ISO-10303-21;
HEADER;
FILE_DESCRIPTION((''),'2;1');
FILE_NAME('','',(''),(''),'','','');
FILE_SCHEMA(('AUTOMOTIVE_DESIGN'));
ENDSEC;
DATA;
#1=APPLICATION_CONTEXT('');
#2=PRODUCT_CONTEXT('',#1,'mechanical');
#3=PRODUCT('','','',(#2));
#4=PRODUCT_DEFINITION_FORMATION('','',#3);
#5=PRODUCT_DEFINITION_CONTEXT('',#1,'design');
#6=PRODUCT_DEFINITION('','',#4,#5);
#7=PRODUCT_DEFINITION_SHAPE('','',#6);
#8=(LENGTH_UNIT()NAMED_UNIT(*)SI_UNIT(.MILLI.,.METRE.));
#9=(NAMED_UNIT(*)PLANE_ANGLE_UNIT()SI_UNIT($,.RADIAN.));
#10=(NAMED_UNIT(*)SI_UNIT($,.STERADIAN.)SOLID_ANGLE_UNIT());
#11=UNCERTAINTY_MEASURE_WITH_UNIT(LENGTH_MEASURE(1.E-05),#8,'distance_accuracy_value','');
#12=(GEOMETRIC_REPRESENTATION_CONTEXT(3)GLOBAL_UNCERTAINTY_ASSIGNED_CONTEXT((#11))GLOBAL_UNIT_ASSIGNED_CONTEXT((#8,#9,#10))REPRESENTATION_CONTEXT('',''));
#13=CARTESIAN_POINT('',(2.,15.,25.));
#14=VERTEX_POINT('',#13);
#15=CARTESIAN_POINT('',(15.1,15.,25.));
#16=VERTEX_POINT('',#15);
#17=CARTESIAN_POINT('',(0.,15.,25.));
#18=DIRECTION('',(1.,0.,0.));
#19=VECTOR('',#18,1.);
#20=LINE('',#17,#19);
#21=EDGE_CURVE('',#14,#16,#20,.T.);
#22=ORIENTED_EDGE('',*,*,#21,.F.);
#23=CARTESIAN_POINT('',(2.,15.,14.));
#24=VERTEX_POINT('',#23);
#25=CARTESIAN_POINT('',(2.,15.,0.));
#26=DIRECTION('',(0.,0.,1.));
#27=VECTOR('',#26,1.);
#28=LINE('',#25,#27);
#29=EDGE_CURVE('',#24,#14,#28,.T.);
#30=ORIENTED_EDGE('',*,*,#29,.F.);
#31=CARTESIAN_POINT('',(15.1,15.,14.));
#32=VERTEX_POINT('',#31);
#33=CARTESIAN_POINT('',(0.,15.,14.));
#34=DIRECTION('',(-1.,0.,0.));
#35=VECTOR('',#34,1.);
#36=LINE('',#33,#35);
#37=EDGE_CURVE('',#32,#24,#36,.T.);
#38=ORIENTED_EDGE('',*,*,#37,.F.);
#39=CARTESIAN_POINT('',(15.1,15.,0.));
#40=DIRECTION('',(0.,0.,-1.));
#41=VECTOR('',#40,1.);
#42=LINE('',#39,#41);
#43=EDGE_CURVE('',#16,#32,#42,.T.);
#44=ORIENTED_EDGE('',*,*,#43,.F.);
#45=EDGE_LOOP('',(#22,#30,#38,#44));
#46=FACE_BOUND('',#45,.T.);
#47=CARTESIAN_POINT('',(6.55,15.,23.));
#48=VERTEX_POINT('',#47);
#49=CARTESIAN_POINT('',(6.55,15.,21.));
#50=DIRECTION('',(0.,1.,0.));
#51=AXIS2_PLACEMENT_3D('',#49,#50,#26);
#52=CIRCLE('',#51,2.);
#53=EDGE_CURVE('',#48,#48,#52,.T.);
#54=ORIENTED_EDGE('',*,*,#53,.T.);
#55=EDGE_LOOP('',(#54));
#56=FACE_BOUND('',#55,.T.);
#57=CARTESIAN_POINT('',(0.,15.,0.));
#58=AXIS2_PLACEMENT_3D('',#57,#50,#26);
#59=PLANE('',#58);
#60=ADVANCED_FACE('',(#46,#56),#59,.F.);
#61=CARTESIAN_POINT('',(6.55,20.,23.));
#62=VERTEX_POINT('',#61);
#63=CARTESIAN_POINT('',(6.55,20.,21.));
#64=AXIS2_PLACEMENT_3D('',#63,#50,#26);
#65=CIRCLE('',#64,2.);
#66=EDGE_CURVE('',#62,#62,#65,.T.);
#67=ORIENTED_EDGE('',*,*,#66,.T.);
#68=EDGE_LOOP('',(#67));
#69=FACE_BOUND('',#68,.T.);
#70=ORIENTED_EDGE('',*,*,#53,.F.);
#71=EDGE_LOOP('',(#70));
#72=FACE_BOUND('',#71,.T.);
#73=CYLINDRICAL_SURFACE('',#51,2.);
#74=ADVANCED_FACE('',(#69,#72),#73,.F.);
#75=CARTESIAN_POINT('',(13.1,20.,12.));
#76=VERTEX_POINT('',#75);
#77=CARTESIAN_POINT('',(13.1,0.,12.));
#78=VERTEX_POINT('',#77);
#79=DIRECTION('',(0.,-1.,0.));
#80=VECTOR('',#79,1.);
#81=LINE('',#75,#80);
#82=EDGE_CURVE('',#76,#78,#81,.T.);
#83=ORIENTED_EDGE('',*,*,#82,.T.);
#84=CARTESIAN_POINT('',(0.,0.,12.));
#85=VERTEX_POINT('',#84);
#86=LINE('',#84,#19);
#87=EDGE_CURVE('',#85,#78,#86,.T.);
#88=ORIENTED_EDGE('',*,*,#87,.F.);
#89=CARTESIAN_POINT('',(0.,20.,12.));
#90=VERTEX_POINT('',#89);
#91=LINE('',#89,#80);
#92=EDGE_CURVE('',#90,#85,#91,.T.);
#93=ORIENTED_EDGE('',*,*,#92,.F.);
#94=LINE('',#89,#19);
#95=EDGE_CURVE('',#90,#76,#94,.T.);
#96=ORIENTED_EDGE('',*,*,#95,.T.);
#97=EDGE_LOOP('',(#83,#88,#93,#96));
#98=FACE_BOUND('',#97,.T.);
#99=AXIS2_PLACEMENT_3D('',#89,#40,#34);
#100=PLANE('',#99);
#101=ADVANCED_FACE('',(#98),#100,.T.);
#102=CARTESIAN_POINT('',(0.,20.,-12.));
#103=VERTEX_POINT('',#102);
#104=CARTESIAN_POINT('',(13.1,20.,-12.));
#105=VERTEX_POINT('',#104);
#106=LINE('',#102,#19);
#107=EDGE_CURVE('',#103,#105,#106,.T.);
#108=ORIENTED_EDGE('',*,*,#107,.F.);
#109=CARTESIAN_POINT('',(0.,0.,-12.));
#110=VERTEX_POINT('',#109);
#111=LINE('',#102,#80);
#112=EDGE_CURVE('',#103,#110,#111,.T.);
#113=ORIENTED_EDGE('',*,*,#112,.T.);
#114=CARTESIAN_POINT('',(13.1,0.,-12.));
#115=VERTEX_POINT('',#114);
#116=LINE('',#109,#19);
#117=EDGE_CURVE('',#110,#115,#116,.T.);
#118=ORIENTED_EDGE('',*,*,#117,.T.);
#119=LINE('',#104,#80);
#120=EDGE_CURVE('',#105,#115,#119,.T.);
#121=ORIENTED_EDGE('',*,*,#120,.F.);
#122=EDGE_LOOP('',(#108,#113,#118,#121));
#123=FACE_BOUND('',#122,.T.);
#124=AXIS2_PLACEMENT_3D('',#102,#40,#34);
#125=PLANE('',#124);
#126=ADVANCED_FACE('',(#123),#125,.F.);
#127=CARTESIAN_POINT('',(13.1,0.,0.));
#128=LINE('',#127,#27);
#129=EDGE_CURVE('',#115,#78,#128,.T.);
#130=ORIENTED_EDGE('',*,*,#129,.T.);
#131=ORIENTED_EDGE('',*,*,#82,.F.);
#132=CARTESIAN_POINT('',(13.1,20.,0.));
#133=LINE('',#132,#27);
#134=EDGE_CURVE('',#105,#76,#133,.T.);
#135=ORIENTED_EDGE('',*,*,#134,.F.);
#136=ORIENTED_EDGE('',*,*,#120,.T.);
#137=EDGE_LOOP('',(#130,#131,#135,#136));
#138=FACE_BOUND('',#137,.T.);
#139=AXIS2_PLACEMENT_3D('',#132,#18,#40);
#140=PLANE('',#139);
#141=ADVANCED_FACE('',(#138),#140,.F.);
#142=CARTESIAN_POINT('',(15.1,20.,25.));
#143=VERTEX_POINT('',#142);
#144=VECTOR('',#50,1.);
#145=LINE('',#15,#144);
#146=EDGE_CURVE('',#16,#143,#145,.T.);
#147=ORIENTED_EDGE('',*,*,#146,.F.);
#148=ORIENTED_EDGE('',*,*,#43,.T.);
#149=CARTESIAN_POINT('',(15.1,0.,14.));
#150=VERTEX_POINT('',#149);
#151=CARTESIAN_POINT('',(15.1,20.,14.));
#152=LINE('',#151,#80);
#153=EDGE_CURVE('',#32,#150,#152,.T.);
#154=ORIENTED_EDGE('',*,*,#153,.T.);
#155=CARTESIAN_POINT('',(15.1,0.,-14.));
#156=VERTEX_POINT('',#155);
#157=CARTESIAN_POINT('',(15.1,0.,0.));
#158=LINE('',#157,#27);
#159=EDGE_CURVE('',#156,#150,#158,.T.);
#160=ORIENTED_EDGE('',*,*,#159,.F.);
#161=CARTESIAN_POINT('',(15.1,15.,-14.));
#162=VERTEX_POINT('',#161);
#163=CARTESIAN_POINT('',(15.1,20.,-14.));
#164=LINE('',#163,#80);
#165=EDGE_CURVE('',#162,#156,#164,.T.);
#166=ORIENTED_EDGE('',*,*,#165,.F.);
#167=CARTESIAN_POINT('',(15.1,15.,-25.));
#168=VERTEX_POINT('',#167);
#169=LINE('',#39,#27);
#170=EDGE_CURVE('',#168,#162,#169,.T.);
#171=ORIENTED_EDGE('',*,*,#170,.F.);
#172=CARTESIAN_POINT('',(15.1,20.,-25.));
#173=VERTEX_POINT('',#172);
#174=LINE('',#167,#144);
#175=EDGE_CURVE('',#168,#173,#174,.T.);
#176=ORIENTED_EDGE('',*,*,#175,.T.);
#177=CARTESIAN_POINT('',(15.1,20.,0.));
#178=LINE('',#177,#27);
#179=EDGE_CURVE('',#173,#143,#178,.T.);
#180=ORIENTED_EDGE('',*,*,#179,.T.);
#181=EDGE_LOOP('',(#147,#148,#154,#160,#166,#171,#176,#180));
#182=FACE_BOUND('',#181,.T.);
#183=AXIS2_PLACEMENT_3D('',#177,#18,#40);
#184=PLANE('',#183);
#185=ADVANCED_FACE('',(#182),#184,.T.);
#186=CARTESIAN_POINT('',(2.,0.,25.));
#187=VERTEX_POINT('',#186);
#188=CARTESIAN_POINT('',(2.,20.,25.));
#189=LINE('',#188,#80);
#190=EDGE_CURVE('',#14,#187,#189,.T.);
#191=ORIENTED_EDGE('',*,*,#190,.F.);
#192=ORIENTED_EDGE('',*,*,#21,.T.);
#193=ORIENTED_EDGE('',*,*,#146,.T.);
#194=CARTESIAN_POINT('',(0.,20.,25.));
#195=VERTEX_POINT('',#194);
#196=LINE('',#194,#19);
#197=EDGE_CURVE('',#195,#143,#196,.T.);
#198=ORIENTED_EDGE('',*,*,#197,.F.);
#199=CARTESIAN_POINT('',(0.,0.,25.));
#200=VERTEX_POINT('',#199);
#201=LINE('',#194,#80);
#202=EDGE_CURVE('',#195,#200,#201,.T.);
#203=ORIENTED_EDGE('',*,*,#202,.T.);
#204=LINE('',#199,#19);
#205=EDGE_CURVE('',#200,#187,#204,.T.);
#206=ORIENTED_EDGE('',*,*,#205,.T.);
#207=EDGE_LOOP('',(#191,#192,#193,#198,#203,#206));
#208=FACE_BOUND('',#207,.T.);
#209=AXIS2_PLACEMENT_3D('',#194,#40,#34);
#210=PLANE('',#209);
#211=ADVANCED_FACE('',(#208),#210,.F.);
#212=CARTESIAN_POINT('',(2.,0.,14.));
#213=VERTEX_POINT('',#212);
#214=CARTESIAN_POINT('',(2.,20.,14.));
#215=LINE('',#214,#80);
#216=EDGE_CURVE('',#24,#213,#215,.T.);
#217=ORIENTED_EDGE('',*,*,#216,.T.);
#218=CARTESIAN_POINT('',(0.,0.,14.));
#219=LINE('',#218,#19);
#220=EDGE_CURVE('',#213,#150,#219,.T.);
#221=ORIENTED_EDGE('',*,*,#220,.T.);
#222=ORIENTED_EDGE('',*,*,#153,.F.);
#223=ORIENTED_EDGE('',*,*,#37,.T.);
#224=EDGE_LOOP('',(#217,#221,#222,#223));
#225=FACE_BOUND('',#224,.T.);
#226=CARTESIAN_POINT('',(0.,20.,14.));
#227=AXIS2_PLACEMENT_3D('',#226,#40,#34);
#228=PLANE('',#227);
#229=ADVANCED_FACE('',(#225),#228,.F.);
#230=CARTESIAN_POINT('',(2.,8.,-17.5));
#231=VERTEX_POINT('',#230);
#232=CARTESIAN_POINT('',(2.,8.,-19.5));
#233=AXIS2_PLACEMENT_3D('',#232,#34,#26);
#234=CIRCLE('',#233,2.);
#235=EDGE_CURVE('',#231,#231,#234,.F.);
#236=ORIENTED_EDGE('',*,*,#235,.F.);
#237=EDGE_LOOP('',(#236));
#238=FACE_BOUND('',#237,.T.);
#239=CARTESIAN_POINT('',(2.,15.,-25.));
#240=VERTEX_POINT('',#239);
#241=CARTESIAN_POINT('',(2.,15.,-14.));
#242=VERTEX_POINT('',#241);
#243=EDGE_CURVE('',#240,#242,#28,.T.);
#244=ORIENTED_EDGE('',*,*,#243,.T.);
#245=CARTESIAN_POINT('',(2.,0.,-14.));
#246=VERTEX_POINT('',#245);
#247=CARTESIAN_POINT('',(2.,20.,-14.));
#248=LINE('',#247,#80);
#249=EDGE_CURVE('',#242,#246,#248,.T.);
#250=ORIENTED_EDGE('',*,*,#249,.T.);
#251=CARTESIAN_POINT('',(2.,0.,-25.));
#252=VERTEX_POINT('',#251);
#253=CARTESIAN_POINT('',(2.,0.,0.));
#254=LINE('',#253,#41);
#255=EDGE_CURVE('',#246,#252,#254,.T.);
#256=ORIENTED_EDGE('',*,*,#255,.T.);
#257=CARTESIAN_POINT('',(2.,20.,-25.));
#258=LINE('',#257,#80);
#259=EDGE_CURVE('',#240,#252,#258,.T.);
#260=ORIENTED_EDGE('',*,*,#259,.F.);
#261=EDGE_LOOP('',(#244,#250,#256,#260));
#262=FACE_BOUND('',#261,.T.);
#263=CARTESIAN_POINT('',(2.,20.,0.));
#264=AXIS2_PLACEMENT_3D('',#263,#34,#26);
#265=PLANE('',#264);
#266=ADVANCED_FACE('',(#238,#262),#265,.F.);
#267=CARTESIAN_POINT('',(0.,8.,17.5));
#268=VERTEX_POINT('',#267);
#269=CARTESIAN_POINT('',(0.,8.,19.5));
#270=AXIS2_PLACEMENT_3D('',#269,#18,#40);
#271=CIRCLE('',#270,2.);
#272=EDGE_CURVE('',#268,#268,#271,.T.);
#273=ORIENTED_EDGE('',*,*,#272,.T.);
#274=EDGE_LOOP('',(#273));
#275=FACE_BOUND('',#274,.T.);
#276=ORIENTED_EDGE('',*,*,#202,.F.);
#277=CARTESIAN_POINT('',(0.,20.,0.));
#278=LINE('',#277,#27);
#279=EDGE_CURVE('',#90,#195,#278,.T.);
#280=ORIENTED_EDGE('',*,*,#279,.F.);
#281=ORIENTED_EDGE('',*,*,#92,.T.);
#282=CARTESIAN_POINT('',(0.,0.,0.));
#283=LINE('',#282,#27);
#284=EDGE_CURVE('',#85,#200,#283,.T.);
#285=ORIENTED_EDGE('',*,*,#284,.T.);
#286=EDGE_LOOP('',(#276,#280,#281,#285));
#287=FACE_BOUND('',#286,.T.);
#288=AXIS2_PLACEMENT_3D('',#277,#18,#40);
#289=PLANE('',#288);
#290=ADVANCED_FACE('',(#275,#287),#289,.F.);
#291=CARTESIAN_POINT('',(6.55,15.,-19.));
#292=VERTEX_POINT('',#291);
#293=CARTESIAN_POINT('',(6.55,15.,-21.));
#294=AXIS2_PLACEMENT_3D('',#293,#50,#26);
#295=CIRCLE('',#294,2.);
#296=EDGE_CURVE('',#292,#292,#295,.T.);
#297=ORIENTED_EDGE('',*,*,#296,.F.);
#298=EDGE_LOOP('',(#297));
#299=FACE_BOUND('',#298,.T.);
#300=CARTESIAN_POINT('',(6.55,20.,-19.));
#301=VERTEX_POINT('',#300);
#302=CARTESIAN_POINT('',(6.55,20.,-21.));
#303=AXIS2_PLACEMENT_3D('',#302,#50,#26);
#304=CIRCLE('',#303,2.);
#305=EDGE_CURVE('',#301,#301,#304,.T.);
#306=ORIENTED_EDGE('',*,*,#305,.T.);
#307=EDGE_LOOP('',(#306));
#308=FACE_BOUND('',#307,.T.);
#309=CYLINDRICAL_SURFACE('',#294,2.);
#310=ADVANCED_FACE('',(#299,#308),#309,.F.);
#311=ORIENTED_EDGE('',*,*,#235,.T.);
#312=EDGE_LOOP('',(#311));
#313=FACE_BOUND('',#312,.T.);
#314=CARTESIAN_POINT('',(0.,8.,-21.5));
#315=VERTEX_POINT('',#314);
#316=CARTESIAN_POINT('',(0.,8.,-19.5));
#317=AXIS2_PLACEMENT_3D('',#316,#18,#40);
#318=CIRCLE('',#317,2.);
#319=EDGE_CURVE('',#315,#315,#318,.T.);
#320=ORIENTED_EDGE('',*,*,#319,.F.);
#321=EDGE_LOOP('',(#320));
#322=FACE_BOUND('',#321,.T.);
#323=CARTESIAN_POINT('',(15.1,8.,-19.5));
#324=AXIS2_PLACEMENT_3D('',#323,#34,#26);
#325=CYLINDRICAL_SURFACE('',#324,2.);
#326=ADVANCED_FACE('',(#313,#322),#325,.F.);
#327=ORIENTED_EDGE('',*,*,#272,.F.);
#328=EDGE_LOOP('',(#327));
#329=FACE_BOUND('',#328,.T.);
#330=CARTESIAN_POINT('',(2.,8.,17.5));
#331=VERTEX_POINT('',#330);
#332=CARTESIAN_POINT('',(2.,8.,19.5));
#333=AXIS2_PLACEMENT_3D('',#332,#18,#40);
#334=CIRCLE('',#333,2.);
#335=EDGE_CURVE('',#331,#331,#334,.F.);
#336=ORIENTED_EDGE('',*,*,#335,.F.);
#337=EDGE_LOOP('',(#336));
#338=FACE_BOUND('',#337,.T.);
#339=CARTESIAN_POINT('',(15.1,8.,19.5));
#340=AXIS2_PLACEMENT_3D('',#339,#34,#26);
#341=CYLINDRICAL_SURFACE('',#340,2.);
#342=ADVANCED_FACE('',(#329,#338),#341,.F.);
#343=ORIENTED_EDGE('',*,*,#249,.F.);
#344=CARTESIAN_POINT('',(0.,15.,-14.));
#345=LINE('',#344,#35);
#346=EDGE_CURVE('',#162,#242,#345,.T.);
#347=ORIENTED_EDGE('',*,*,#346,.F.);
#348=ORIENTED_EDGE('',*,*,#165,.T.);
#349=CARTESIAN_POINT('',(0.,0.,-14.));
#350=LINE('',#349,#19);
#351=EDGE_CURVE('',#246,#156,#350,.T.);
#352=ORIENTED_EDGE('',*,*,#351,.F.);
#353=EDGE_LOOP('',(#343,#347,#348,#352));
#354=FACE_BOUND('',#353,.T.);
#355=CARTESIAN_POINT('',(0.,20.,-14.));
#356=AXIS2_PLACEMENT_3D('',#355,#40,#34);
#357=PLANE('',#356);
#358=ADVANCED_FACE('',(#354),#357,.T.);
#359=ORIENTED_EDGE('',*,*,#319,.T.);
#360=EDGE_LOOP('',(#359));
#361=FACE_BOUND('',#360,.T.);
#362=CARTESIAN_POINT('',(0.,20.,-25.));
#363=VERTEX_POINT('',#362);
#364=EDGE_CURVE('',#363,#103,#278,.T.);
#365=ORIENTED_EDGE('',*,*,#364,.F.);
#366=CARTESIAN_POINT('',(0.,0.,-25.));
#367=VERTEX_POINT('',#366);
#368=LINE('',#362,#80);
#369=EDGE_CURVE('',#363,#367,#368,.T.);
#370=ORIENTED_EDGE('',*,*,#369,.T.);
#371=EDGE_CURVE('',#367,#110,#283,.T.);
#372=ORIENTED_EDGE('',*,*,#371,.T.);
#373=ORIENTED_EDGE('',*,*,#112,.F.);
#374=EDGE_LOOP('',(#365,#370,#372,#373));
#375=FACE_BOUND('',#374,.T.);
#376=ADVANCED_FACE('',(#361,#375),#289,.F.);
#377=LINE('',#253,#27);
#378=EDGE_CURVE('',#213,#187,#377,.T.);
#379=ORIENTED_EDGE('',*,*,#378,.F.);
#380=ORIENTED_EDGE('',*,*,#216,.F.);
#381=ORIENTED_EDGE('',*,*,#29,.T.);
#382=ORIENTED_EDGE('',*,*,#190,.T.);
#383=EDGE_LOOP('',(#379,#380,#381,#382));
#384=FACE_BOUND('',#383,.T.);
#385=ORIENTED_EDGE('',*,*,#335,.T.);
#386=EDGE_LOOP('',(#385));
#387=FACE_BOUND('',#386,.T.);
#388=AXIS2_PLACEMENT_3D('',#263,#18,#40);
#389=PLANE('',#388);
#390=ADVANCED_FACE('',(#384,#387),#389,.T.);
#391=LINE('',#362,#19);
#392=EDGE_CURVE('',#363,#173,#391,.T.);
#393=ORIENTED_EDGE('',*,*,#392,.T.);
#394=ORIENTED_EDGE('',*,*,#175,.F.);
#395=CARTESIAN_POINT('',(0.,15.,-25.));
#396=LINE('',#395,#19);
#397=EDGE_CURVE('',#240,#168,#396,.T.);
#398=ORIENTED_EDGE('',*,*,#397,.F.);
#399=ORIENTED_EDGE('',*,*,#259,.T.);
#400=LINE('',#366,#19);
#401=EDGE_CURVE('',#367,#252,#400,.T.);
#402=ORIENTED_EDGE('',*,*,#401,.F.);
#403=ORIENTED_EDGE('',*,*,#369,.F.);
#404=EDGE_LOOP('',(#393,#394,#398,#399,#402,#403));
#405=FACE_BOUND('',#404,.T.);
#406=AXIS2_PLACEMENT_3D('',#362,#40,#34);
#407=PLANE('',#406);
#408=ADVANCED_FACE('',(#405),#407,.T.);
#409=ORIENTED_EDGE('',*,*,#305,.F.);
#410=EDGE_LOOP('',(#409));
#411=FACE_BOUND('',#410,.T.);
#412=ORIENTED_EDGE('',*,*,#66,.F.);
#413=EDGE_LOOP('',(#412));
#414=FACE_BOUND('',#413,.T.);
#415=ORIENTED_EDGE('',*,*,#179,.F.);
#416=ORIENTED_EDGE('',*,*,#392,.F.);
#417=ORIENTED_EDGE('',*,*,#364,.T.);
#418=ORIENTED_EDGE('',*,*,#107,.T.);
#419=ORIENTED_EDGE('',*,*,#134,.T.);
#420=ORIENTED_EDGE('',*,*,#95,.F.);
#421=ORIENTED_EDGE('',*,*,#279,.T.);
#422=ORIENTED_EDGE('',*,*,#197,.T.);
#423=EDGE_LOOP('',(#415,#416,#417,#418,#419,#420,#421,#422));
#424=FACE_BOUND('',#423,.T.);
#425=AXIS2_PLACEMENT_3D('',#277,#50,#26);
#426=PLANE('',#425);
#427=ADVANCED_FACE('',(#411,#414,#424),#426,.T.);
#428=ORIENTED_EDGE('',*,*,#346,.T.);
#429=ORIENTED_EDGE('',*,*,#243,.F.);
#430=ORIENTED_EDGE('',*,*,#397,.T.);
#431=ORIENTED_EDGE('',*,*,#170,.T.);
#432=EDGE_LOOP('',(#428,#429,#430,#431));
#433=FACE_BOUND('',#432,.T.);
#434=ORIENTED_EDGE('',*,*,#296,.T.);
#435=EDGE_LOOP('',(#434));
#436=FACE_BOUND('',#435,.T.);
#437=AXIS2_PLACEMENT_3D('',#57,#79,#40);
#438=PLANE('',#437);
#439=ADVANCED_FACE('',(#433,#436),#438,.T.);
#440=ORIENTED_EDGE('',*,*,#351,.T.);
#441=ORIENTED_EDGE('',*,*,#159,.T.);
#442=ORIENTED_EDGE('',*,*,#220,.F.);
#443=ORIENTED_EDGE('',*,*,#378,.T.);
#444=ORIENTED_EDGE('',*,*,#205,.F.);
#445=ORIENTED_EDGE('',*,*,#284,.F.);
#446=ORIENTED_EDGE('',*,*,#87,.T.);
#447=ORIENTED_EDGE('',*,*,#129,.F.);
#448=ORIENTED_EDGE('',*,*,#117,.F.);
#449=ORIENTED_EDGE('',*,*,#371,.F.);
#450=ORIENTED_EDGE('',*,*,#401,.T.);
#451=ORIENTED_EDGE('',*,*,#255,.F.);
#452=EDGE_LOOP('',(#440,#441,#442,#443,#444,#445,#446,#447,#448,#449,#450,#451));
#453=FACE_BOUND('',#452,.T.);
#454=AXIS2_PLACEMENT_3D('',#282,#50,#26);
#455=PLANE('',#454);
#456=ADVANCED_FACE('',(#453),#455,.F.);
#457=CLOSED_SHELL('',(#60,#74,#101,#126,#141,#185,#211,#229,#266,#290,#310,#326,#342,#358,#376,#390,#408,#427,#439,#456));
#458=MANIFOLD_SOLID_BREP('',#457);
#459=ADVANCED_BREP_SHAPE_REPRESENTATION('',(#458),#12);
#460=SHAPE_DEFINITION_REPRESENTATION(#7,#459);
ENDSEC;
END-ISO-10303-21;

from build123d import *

# Parameters (mm, degrees)
BOSS_EXTRUDE1_DEPTH     = 20
CUT_EXTRUDE1_DEPTH      = 35.59205111
CUT_EXTRUDE1_DEPTH_BACK = 35.59205111
SKETCH4_R               = 2
BOSS_EXTRUDE2_START     = 20
BOSS_EXTRUDE2_DEPTH     = 5


with BuildPart() as part:
    # Sketch1 → Boss-Extrude1 (new body)
    with BuildSketch(Plane(origin=(0, 0, 0), x_dir=(1, 0, 0), z_dir=(0, 1, 0))):
        Polygon((15.1, -14), (15.1, 14), (2, 14), (2, 25), (0, 25), (0, 12), (13.1, 12), (13.1, -12), (0, -12), (0, -25), (2, -25), (2, -14), align=None)
    extrude(amount=BOSS_EXTRUDE1_DEPTH)

    # Sketch4 → Cut-Extrude1 (cut, two sides: drawn at the far end of the back side and taken through both)
    with BuildSketch(Plane(origin=(2, 0, 0), x_dir=(0, 0, -1), z_dir=(1, 0, 0)).offset(-CUT_EXTRUDE1_DEPTH_BACK)):
        with Locations((-19.5, 8)):
            Circle(SKETCH4_R)
        with Locations(Location((19.5, 8, 0), (0, 0, 180))):
            Circle(SKETCH4_R)
    extrude(amount=CUT_EXTRUDE1_DEPTH + CUT_EXTRUDE1_DEPTH_BACK, mode=Mode.SUBTRACT)

    # Sketch1<31> → Boss-Extrude2 (add)
    with BuildSketch(Plane(origin=(0, 0, 0), x_dir=(1, 0, 0), z_dir=(0, 1, 0)).offset(BOSS_EXTRUDE2_START)):
        with BuildLine():
            Line((15.1, -25), (15.1, -14))
            Line((15.1, -14), (6.55, -14))
            Line((6.55, -14), (6.55, -19))
            ThreePointArc((6.55, -19), (7.964213562, -19.585786438), (8.55, -21))
            ThreePointArc((8.55, -21), (7.964213562, -22.414213562), (6.55, -23))
            Line((6.55, -23), (6.55, -25))
            Line((6.55, -25), (15.1, -25))
        make_face()
        with BuildLine():
            Line((6.55, -19), (6.55, -14))
            Line((6.55, -14), (2, -14))
            Line((2, -14), (2, -25))
            Line((2, -25), (6.55, -25))
            Line((6.55, -25), (6.55, -23))
            ThreePointArc((6.55, -23), (4.55, -21), (6.55, -19))
        make_face()
        with BuildLine():
            Line((6.55, 14), (15.1, 14))
            Line((15.1, 14), (15.1, 25))
            Line((15.1, 25), (6.55, 25))
            Line((6.55, 25), (6.55, 23))
            ThreePointArc((6.55, 23), (7.964213562, 22.414213562), (8.55, 21))
            ThreePointArc((8.55, 21), (7.964213562, 19.585786438), (6.55, 19))
            Line((6.55, 19), (6.55, 14))
        make_face()
        with BuildLine():
            Line((2, 14), (6.55, 14))
            Line((6.55, 14), (6.55, 19))
            ThreePointArc((6.55, 19), (4.55, 21), (6.55, 23))
            Line((6.55, 23), (6.55, 25))
            Line((6.55, 25), (2, 25))
            Line((2, 25), (2, 14))
        make_face()
    extrude(amount=-BOSS_EXTRUDE2_DEPTH)


solid = part.part
